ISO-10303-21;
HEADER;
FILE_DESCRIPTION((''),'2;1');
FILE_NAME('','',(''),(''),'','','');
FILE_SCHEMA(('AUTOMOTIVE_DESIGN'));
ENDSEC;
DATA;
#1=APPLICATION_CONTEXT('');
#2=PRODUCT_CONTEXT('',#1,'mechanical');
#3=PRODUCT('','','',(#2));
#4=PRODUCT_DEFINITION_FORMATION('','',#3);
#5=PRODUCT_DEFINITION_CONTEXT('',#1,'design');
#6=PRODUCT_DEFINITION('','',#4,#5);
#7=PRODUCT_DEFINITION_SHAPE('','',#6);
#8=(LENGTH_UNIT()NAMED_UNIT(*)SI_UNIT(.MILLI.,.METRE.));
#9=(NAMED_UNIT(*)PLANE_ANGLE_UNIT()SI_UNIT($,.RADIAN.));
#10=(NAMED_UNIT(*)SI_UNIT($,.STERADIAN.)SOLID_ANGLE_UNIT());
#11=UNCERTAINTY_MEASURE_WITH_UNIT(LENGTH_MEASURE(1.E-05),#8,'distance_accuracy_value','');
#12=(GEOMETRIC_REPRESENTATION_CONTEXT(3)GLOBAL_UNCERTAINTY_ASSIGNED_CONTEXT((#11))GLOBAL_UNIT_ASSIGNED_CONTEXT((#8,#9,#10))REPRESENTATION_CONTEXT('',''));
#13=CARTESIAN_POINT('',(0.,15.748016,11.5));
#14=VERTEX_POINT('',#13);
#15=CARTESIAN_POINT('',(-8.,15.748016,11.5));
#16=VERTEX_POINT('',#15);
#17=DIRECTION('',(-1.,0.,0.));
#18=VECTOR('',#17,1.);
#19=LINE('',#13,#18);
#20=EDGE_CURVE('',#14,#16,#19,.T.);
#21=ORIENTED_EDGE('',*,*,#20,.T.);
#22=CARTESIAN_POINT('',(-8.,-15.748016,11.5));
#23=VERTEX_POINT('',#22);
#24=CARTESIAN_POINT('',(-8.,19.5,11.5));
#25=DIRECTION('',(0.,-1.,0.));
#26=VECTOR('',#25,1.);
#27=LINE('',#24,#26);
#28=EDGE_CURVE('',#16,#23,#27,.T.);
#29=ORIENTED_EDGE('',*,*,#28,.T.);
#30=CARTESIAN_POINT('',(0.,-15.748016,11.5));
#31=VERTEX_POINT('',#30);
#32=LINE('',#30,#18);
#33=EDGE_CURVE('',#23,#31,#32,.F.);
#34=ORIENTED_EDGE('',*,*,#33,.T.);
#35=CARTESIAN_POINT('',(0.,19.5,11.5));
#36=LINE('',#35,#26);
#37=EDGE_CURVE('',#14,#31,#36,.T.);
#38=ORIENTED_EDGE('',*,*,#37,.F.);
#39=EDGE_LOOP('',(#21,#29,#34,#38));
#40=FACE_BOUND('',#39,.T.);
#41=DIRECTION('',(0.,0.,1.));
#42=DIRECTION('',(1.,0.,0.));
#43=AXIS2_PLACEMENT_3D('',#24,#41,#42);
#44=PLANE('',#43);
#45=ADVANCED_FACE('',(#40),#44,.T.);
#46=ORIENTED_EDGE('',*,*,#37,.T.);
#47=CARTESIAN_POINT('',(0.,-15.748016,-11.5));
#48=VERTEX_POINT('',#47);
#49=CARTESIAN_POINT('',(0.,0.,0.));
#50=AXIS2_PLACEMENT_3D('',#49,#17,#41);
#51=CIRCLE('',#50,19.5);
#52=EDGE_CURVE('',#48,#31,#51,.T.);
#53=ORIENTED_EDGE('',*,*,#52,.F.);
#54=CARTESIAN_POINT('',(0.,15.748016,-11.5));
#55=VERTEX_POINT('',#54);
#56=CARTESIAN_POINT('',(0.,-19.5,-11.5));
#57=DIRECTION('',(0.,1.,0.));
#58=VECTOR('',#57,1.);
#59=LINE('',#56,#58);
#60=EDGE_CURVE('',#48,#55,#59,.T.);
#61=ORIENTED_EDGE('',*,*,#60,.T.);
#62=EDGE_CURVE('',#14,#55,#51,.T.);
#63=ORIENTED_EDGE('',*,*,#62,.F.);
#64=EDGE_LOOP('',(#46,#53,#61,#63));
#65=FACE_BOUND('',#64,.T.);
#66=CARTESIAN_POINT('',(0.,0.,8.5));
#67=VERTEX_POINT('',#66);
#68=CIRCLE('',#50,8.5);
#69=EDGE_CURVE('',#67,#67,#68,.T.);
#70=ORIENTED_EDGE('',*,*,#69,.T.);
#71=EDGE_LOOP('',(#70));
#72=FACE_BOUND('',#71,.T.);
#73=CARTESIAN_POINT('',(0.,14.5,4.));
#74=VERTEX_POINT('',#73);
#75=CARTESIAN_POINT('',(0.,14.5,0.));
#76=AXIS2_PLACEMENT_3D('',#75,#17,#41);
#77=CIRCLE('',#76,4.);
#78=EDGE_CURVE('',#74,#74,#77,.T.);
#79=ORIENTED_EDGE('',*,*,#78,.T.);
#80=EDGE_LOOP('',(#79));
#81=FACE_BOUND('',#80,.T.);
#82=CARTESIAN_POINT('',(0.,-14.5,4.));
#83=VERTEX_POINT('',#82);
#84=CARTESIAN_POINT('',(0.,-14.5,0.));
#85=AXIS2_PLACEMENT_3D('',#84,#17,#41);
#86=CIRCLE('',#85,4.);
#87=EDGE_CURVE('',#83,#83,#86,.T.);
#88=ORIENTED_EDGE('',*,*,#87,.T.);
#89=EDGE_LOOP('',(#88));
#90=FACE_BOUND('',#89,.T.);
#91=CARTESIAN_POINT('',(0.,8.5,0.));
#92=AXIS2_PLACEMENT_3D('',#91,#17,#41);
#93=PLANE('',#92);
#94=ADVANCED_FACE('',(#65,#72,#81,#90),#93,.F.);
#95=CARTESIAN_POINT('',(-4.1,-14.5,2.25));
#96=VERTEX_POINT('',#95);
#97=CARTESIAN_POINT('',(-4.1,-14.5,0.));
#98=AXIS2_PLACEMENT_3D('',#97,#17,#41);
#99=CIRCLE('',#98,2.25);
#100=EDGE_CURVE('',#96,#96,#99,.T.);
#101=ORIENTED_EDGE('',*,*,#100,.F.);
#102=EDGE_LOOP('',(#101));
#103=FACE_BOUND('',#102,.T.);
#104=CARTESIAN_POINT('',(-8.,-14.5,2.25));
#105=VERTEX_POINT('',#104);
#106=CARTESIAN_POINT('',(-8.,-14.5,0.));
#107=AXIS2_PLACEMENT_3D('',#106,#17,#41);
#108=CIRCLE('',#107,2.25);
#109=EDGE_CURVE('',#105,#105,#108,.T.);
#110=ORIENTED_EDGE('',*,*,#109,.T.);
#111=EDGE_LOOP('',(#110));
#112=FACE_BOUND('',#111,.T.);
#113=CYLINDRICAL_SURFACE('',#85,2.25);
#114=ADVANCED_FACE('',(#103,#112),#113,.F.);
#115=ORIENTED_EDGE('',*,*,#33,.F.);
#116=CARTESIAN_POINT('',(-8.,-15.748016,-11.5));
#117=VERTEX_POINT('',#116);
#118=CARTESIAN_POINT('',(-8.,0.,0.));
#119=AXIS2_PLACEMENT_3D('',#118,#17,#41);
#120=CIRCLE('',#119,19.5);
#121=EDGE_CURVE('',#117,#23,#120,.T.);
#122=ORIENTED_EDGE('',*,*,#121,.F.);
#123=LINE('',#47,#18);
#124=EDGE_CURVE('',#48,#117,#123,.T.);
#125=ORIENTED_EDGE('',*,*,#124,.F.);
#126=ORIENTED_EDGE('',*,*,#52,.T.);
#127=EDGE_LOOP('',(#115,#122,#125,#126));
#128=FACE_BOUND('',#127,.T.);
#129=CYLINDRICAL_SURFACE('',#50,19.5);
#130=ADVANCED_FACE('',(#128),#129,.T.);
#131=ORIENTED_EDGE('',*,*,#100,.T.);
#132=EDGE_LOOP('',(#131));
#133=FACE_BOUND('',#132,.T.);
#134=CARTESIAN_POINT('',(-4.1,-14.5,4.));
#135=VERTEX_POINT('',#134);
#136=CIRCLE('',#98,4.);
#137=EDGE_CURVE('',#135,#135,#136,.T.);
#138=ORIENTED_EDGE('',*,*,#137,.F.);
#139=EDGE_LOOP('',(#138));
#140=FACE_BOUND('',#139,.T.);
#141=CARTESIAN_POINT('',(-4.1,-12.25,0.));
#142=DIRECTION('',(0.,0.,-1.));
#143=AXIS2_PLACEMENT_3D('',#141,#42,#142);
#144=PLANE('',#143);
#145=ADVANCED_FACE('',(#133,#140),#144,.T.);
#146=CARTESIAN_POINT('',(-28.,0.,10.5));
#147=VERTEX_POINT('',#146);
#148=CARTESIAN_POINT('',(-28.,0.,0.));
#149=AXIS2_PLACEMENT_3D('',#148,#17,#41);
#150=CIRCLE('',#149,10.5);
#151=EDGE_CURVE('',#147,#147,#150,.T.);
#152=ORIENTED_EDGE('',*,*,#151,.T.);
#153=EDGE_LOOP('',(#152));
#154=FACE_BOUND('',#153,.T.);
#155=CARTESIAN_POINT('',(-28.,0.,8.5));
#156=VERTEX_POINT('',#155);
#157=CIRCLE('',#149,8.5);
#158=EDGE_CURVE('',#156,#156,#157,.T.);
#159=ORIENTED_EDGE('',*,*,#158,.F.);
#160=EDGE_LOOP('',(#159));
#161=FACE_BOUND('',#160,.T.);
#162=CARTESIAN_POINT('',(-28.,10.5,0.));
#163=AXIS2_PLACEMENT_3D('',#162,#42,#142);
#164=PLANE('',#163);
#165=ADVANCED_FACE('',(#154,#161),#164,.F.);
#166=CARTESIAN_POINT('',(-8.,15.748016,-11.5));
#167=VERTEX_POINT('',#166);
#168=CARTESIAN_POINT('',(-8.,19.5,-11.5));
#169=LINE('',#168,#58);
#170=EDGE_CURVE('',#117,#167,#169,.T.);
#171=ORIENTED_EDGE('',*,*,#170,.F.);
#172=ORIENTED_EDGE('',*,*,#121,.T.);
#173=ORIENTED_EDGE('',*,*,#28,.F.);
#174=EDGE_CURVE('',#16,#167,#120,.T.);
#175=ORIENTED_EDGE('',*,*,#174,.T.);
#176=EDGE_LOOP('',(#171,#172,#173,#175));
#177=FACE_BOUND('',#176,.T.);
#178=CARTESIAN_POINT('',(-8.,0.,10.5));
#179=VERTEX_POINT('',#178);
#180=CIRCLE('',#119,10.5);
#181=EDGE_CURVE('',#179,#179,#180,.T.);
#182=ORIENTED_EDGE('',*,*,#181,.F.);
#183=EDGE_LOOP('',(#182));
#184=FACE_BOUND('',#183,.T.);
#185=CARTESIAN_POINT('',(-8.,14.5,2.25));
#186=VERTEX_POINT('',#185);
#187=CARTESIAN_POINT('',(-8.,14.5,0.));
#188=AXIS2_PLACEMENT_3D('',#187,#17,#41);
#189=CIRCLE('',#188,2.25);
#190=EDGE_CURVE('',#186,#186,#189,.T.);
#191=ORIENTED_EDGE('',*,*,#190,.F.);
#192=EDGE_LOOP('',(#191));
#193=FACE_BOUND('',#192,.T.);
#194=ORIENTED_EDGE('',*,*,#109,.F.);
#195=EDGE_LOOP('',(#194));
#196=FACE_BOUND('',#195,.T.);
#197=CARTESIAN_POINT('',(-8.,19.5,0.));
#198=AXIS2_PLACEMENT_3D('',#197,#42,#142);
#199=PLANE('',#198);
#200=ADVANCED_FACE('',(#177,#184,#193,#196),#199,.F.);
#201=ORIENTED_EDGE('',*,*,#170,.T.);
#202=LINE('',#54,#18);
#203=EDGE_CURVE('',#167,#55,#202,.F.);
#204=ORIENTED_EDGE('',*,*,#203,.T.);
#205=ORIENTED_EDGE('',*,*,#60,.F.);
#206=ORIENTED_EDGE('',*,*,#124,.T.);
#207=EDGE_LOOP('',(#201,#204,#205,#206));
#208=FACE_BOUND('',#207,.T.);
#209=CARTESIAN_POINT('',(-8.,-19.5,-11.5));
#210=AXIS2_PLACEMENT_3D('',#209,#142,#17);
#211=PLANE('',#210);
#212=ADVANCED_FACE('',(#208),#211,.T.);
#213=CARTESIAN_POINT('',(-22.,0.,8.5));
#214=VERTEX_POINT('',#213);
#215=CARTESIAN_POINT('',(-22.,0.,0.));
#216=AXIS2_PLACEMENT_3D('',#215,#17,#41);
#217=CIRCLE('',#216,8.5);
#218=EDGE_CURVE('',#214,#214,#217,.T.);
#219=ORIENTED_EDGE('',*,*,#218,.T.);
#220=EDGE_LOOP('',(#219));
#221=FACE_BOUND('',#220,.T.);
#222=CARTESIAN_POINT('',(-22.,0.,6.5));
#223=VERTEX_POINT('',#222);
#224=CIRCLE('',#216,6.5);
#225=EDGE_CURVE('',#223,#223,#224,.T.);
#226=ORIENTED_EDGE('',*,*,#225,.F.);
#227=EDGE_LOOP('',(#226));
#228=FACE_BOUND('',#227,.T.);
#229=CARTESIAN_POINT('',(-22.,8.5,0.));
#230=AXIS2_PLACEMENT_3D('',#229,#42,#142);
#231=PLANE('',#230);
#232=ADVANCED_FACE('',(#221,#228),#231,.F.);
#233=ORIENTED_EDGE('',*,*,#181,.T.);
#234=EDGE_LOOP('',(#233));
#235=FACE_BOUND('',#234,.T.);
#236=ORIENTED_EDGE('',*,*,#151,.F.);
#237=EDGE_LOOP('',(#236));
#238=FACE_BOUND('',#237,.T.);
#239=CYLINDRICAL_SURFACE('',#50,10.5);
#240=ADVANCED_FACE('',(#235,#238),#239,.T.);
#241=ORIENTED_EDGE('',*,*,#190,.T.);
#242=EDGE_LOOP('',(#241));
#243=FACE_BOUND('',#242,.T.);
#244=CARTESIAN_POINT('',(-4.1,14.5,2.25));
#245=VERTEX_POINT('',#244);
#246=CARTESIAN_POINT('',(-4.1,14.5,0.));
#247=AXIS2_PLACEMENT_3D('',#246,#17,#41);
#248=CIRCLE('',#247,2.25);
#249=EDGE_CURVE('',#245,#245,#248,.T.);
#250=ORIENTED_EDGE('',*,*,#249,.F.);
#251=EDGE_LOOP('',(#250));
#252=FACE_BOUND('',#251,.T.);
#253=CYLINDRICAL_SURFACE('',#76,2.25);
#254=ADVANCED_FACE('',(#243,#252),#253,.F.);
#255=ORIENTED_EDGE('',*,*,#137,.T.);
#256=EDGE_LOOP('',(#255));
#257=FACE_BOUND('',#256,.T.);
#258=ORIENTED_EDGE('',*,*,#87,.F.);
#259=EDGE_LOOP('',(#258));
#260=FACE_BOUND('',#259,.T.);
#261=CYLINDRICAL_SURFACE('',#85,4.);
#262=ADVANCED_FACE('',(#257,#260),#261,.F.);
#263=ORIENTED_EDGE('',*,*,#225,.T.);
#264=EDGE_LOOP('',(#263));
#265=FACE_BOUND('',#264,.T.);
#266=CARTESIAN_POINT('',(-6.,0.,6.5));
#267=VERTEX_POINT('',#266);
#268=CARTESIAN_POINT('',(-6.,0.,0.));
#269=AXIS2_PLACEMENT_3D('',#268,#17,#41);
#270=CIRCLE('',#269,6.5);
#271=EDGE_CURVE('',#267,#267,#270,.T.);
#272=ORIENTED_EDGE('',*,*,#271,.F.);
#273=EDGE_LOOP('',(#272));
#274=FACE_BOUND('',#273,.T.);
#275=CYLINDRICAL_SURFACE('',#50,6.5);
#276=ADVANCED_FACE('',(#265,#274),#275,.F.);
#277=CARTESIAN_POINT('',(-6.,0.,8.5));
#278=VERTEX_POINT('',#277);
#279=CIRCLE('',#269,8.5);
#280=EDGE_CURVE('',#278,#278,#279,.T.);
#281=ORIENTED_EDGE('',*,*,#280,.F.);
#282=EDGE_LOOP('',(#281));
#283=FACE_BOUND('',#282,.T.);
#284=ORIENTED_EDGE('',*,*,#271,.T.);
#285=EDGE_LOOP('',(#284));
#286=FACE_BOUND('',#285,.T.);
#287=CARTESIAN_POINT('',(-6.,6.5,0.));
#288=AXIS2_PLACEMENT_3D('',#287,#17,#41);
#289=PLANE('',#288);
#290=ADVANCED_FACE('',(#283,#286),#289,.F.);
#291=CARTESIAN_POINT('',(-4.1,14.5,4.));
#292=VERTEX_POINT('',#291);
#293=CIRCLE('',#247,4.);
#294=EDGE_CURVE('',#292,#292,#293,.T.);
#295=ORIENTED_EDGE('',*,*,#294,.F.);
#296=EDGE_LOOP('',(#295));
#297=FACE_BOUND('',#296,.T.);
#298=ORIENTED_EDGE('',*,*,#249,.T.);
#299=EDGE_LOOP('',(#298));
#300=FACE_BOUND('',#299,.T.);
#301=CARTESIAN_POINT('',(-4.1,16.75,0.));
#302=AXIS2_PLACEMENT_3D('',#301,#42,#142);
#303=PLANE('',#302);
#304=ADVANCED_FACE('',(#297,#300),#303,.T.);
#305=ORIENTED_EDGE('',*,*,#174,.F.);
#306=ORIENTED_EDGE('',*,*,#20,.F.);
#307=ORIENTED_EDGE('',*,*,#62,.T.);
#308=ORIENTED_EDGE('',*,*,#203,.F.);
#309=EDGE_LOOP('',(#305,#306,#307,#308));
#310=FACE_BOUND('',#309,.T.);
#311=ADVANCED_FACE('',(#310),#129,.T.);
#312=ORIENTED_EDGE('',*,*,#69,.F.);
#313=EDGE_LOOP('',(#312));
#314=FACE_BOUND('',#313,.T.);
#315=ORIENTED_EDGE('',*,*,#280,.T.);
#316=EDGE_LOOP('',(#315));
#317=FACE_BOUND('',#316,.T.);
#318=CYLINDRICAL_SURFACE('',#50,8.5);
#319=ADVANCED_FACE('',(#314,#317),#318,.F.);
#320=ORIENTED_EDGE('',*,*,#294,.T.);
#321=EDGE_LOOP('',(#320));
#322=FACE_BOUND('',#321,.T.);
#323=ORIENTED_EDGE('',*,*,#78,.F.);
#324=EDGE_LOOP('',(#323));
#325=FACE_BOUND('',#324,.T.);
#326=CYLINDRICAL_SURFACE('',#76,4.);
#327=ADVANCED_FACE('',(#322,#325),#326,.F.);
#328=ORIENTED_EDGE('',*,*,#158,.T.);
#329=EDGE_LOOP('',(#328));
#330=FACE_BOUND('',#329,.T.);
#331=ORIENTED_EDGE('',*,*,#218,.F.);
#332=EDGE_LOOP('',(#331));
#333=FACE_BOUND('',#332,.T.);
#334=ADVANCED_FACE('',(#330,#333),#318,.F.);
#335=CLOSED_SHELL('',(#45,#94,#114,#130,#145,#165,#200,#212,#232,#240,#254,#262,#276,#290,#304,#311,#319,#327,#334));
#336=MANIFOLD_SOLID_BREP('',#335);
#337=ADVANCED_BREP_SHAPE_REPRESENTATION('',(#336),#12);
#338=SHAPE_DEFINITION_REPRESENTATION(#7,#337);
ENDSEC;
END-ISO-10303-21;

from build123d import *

# Parameters (mm, degrees)
SKETCH_4_R          = 100
SKETCH_4_W          = 23
SKETCH_4_H          = 39
CUT_EXTRUDE_1_DEPTH = 8


with BuildPart() as part:
    # ｽｹｯﾁ1 → 回転1 (revolve)
    with BuildSketch(Plane.XY, mode=Mode.PRIVATE) as revolve_1_sk:
        Polygon((-28, 8.5), (-22, 8.5), (-22, 6.5), (-6, 6.5), (-6, 8.5), (0, 8.5), (0, 19.5), (-8, 19.5), (-8, 10.5), (-28, 10.5), align=None)
    revolve(revolve_1_sk.sketch.rotate(Axis((0, 0, 0), (-1, 0, 0)), 270), axis=Axis((0, 0, 0), (-1, 0, 0)))

    # ｽｹｯﾁ2 → ｶｯﾄ - 回転1 (revolve, cut)
    with BuildSketch(Plane.XY, mode=Mode.PRIVATE) as cut_revolve_1_sk:
        Polygon((-8, 14.5), (-8, 16.75), (-4.1, 16.75), (-4.1, 18.5), (0, 18.5), (0, 14.5), align=None)
    revolve(cut_revolve_1_sk.sketch.rotate(Axis((0, 14.5, 0), (-1, 0, 0)), 270), axis=Axis((0, 14.5, 0), (-1, 0, 0)), mode=Mode.SUBTRACT)

    # ｽｹｯﾁ3 → ｶｯﾄ - 回転2 (revolve, cut)
    with BuildSketch(Plane.XY, mode=Mode.PRIVATE) as cut_revolve_2_sk:
        Polygon((-8, -14.5), (-8, -12.25), (-4.1, -12.25), (-4.1, -10.5), (0, -10.5), (0, -14.5), align=None)
    revolve(cut_revolve_2_sk.sketch.rotate(Axis((0, -14.5, 0), (-1, 0, 0)), 270), axis=Axis((0, -14.5, 0), (-1, 0, 0)), mode=Mode.SUBTRACT)

    # ｽｹｯﾁ4 → ｶｯﾄ - 押し出し1 (cut)
    with BuildSketch(Plane(origin=(0, 0, 0), x_dir=(0, 0, -1), z_dir=(1, 0, 0))):
        Circle(SKETCH_4_R)
        Rectangle(SKETCH_4_W, SKETCH_4_H, mode=Mode.SUBTRACT)
    extrude(amount=-CUT_EXTRUDE_1_DEPTH, mode=Mode.SUBTRACT)


solid = part.part
